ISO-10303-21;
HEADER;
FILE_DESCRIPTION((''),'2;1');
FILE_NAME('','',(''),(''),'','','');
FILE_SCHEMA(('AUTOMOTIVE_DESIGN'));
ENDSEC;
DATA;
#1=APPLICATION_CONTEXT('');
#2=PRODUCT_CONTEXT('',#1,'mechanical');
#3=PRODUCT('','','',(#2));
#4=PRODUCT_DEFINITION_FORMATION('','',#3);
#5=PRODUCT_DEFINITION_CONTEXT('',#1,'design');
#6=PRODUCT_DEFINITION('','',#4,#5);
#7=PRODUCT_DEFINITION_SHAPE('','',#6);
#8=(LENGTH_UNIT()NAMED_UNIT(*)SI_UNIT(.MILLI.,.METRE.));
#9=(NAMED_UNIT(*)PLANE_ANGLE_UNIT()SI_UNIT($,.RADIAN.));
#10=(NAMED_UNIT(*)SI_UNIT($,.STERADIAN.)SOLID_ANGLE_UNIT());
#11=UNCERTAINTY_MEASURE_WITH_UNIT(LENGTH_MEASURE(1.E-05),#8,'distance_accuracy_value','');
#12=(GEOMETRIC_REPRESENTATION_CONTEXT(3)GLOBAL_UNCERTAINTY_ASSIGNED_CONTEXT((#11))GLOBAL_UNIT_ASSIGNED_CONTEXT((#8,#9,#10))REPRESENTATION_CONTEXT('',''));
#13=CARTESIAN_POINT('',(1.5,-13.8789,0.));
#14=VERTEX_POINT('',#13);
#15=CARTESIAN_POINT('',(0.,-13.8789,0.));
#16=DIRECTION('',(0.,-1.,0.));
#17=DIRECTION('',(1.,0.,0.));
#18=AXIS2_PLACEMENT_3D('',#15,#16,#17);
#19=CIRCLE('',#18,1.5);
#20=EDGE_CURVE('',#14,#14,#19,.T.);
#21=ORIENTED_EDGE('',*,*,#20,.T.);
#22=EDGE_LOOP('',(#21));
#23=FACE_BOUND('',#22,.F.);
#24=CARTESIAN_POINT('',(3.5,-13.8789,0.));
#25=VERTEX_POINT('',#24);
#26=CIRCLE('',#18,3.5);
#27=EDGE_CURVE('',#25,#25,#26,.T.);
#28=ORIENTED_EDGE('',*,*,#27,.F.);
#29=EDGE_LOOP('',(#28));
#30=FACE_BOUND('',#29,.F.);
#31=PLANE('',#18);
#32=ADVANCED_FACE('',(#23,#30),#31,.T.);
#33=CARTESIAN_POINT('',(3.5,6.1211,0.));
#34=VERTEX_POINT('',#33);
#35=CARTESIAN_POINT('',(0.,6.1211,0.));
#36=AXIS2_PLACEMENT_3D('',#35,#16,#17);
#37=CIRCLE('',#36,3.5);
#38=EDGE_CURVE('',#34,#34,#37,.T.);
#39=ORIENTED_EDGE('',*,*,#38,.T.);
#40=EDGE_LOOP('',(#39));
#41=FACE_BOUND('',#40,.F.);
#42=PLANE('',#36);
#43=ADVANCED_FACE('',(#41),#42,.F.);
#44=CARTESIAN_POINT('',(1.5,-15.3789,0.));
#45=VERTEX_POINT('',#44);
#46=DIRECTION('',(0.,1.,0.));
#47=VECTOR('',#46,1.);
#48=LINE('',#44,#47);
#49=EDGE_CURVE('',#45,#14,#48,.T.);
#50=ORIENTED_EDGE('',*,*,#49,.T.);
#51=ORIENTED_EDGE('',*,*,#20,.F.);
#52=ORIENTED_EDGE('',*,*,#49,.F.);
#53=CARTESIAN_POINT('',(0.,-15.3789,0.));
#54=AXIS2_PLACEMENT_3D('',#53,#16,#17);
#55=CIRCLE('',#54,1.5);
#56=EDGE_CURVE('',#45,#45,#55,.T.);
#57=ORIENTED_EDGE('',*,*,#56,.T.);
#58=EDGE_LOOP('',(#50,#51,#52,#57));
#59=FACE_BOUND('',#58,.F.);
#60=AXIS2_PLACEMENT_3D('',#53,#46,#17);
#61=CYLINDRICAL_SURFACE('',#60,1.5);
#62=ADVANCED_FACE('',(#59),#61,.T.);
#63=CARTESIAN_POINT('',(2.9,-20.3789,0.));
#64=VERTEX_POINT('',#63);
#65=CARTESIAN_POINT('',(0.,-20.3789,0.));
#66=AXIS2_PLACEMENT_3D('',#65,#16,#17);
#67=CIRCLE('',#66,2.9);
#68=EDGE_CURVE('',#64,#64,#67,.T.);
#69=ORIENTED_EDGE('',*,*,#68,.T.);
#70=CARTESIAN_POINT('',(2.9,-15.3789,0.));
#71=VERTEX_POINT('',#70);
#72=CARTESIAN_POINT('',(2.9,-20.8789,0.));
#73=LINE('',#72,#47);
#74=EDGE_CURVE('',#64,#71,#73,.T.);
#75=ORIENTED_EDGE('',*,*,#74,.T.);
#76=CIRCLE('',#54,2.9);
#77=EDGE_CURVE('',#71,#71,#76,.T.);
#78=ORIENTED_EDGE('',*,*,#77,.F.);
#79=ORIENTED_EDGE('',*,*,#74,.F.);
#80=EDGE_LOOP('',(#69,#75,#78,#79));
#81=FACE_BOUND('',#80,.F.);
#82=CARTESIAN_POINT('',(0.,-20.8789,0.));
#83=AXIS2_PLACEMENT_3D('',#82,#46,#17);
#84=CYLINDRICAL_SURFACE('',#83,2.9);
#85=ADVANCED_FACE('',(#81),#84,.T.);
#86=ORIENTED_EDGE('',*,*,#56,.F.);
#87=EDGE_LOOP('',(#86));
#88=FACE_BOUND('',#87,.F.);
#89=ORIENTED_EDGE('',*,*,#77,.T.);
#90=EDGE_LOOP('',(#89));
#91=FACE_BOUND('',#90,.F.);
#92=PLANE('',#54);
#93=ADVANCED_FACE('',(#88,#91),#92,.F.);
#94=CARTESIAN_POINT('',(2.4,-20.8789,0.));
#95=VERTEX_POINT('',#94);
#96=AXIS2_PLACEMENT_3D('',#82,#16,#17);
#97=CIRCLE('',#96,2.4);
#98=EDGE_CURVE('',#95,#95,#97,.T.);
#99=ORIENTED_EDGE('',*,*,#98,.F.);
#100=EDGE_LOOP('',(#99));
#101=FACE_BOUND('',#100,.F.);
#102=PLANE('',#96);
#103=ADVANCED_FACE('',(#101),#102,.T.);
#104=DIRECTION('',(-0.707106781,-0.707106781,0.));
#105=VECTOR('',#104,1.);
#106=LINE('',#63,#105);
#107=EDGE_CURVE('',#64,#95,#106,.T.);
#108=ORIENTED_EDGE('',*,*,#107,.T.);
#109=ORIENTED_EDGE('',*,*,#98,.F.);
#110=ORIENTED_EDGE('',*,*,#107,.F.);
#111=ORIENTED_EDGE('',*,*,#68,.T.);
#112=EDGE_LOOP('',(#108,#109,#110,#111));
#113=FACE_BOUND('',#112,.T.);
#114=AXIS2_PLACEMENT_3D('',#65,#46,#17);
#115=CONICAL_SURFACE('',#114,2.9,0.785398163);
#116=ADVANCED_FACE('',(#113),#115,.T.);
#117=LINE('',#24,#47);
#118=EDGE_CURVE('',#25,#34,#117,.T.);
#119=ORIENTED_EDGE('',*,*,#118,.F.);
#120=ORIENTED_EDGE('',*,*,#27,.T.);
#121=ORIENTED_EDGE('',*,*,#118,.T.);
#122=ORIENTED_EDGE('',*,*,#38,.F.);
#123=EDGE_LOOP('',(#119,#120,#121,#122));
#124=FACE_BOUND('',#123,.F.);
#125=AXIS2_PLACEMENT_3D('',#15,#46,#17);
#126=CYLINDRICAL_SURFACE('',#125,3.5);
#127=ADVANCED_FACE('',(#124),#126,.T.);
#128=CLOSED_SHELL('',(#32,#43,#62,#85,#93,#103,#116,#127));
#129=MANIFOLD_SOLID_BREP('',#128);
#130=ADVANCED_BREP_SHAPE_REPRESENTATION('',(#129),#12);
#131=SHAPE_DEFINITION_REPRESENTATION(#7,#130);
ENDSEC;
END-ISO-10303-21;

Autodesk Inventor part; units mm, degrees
ref_plane "YZ Plane" through (0, 0, 0) normal (1, 0, 0) x (0, 1, 0)
ref_plane "XZ Plane" through (0, 0, 0) normal (0, 1, 0) x (-1, 0, 0)
ref_plane "XY Plane" through (0, 0, 0) normal (0, 0, 1) x (1, 0, 0)
sketch "Boceto1" plane through (0, 0, 0) normal (0, 0, 1) x (1, 0, 0)
  line L0 (0, 6.1211) -> (0, -20.8789)
  line L1 (0, -20.8789) -> (2.9, -20.8789)
  line L2 (2.9, -20.8789) -> (2.9, -15.3789)
  line L3 (2.9, -15.3789) -> (1.5, -15.3789)
  line L4 (1.5, -15.3789) -> (1.5, -13.8789)
  line L5 (1.5, -13.8789) -> (3.5, -13.8789)
  line L6 (3.5, -13.8789) -> (3.5, 6.1211)
  line L7 (3.5, 6.1211) -> (0, 6.1211)
  point P0 (0, 0)
  point P1 (1.45, -20.8789)
  point P2 (1.5, -14.6289)
  dimension "d0" = 3.5
  dimension "d1" = 20
  dimension "d2" = 27
  dimension "d3" = 5.5
  dimension "d4" = 2.9
  dimension "d5" = 1.5
revolve "Revolución1" add sketch "Boceto1" angle 360 about axis through (0, 6.1211, 0) along (0, -1, 0)
chamfer "Chaflán1" distance 0.5 angle 45 1 edges at (-2.9, -20.8789, 0)
thread "Rosca1" size "M6x1" class "6g" standard "ANSI Metric M Profile" full length
properties part number "HeatBreak"
